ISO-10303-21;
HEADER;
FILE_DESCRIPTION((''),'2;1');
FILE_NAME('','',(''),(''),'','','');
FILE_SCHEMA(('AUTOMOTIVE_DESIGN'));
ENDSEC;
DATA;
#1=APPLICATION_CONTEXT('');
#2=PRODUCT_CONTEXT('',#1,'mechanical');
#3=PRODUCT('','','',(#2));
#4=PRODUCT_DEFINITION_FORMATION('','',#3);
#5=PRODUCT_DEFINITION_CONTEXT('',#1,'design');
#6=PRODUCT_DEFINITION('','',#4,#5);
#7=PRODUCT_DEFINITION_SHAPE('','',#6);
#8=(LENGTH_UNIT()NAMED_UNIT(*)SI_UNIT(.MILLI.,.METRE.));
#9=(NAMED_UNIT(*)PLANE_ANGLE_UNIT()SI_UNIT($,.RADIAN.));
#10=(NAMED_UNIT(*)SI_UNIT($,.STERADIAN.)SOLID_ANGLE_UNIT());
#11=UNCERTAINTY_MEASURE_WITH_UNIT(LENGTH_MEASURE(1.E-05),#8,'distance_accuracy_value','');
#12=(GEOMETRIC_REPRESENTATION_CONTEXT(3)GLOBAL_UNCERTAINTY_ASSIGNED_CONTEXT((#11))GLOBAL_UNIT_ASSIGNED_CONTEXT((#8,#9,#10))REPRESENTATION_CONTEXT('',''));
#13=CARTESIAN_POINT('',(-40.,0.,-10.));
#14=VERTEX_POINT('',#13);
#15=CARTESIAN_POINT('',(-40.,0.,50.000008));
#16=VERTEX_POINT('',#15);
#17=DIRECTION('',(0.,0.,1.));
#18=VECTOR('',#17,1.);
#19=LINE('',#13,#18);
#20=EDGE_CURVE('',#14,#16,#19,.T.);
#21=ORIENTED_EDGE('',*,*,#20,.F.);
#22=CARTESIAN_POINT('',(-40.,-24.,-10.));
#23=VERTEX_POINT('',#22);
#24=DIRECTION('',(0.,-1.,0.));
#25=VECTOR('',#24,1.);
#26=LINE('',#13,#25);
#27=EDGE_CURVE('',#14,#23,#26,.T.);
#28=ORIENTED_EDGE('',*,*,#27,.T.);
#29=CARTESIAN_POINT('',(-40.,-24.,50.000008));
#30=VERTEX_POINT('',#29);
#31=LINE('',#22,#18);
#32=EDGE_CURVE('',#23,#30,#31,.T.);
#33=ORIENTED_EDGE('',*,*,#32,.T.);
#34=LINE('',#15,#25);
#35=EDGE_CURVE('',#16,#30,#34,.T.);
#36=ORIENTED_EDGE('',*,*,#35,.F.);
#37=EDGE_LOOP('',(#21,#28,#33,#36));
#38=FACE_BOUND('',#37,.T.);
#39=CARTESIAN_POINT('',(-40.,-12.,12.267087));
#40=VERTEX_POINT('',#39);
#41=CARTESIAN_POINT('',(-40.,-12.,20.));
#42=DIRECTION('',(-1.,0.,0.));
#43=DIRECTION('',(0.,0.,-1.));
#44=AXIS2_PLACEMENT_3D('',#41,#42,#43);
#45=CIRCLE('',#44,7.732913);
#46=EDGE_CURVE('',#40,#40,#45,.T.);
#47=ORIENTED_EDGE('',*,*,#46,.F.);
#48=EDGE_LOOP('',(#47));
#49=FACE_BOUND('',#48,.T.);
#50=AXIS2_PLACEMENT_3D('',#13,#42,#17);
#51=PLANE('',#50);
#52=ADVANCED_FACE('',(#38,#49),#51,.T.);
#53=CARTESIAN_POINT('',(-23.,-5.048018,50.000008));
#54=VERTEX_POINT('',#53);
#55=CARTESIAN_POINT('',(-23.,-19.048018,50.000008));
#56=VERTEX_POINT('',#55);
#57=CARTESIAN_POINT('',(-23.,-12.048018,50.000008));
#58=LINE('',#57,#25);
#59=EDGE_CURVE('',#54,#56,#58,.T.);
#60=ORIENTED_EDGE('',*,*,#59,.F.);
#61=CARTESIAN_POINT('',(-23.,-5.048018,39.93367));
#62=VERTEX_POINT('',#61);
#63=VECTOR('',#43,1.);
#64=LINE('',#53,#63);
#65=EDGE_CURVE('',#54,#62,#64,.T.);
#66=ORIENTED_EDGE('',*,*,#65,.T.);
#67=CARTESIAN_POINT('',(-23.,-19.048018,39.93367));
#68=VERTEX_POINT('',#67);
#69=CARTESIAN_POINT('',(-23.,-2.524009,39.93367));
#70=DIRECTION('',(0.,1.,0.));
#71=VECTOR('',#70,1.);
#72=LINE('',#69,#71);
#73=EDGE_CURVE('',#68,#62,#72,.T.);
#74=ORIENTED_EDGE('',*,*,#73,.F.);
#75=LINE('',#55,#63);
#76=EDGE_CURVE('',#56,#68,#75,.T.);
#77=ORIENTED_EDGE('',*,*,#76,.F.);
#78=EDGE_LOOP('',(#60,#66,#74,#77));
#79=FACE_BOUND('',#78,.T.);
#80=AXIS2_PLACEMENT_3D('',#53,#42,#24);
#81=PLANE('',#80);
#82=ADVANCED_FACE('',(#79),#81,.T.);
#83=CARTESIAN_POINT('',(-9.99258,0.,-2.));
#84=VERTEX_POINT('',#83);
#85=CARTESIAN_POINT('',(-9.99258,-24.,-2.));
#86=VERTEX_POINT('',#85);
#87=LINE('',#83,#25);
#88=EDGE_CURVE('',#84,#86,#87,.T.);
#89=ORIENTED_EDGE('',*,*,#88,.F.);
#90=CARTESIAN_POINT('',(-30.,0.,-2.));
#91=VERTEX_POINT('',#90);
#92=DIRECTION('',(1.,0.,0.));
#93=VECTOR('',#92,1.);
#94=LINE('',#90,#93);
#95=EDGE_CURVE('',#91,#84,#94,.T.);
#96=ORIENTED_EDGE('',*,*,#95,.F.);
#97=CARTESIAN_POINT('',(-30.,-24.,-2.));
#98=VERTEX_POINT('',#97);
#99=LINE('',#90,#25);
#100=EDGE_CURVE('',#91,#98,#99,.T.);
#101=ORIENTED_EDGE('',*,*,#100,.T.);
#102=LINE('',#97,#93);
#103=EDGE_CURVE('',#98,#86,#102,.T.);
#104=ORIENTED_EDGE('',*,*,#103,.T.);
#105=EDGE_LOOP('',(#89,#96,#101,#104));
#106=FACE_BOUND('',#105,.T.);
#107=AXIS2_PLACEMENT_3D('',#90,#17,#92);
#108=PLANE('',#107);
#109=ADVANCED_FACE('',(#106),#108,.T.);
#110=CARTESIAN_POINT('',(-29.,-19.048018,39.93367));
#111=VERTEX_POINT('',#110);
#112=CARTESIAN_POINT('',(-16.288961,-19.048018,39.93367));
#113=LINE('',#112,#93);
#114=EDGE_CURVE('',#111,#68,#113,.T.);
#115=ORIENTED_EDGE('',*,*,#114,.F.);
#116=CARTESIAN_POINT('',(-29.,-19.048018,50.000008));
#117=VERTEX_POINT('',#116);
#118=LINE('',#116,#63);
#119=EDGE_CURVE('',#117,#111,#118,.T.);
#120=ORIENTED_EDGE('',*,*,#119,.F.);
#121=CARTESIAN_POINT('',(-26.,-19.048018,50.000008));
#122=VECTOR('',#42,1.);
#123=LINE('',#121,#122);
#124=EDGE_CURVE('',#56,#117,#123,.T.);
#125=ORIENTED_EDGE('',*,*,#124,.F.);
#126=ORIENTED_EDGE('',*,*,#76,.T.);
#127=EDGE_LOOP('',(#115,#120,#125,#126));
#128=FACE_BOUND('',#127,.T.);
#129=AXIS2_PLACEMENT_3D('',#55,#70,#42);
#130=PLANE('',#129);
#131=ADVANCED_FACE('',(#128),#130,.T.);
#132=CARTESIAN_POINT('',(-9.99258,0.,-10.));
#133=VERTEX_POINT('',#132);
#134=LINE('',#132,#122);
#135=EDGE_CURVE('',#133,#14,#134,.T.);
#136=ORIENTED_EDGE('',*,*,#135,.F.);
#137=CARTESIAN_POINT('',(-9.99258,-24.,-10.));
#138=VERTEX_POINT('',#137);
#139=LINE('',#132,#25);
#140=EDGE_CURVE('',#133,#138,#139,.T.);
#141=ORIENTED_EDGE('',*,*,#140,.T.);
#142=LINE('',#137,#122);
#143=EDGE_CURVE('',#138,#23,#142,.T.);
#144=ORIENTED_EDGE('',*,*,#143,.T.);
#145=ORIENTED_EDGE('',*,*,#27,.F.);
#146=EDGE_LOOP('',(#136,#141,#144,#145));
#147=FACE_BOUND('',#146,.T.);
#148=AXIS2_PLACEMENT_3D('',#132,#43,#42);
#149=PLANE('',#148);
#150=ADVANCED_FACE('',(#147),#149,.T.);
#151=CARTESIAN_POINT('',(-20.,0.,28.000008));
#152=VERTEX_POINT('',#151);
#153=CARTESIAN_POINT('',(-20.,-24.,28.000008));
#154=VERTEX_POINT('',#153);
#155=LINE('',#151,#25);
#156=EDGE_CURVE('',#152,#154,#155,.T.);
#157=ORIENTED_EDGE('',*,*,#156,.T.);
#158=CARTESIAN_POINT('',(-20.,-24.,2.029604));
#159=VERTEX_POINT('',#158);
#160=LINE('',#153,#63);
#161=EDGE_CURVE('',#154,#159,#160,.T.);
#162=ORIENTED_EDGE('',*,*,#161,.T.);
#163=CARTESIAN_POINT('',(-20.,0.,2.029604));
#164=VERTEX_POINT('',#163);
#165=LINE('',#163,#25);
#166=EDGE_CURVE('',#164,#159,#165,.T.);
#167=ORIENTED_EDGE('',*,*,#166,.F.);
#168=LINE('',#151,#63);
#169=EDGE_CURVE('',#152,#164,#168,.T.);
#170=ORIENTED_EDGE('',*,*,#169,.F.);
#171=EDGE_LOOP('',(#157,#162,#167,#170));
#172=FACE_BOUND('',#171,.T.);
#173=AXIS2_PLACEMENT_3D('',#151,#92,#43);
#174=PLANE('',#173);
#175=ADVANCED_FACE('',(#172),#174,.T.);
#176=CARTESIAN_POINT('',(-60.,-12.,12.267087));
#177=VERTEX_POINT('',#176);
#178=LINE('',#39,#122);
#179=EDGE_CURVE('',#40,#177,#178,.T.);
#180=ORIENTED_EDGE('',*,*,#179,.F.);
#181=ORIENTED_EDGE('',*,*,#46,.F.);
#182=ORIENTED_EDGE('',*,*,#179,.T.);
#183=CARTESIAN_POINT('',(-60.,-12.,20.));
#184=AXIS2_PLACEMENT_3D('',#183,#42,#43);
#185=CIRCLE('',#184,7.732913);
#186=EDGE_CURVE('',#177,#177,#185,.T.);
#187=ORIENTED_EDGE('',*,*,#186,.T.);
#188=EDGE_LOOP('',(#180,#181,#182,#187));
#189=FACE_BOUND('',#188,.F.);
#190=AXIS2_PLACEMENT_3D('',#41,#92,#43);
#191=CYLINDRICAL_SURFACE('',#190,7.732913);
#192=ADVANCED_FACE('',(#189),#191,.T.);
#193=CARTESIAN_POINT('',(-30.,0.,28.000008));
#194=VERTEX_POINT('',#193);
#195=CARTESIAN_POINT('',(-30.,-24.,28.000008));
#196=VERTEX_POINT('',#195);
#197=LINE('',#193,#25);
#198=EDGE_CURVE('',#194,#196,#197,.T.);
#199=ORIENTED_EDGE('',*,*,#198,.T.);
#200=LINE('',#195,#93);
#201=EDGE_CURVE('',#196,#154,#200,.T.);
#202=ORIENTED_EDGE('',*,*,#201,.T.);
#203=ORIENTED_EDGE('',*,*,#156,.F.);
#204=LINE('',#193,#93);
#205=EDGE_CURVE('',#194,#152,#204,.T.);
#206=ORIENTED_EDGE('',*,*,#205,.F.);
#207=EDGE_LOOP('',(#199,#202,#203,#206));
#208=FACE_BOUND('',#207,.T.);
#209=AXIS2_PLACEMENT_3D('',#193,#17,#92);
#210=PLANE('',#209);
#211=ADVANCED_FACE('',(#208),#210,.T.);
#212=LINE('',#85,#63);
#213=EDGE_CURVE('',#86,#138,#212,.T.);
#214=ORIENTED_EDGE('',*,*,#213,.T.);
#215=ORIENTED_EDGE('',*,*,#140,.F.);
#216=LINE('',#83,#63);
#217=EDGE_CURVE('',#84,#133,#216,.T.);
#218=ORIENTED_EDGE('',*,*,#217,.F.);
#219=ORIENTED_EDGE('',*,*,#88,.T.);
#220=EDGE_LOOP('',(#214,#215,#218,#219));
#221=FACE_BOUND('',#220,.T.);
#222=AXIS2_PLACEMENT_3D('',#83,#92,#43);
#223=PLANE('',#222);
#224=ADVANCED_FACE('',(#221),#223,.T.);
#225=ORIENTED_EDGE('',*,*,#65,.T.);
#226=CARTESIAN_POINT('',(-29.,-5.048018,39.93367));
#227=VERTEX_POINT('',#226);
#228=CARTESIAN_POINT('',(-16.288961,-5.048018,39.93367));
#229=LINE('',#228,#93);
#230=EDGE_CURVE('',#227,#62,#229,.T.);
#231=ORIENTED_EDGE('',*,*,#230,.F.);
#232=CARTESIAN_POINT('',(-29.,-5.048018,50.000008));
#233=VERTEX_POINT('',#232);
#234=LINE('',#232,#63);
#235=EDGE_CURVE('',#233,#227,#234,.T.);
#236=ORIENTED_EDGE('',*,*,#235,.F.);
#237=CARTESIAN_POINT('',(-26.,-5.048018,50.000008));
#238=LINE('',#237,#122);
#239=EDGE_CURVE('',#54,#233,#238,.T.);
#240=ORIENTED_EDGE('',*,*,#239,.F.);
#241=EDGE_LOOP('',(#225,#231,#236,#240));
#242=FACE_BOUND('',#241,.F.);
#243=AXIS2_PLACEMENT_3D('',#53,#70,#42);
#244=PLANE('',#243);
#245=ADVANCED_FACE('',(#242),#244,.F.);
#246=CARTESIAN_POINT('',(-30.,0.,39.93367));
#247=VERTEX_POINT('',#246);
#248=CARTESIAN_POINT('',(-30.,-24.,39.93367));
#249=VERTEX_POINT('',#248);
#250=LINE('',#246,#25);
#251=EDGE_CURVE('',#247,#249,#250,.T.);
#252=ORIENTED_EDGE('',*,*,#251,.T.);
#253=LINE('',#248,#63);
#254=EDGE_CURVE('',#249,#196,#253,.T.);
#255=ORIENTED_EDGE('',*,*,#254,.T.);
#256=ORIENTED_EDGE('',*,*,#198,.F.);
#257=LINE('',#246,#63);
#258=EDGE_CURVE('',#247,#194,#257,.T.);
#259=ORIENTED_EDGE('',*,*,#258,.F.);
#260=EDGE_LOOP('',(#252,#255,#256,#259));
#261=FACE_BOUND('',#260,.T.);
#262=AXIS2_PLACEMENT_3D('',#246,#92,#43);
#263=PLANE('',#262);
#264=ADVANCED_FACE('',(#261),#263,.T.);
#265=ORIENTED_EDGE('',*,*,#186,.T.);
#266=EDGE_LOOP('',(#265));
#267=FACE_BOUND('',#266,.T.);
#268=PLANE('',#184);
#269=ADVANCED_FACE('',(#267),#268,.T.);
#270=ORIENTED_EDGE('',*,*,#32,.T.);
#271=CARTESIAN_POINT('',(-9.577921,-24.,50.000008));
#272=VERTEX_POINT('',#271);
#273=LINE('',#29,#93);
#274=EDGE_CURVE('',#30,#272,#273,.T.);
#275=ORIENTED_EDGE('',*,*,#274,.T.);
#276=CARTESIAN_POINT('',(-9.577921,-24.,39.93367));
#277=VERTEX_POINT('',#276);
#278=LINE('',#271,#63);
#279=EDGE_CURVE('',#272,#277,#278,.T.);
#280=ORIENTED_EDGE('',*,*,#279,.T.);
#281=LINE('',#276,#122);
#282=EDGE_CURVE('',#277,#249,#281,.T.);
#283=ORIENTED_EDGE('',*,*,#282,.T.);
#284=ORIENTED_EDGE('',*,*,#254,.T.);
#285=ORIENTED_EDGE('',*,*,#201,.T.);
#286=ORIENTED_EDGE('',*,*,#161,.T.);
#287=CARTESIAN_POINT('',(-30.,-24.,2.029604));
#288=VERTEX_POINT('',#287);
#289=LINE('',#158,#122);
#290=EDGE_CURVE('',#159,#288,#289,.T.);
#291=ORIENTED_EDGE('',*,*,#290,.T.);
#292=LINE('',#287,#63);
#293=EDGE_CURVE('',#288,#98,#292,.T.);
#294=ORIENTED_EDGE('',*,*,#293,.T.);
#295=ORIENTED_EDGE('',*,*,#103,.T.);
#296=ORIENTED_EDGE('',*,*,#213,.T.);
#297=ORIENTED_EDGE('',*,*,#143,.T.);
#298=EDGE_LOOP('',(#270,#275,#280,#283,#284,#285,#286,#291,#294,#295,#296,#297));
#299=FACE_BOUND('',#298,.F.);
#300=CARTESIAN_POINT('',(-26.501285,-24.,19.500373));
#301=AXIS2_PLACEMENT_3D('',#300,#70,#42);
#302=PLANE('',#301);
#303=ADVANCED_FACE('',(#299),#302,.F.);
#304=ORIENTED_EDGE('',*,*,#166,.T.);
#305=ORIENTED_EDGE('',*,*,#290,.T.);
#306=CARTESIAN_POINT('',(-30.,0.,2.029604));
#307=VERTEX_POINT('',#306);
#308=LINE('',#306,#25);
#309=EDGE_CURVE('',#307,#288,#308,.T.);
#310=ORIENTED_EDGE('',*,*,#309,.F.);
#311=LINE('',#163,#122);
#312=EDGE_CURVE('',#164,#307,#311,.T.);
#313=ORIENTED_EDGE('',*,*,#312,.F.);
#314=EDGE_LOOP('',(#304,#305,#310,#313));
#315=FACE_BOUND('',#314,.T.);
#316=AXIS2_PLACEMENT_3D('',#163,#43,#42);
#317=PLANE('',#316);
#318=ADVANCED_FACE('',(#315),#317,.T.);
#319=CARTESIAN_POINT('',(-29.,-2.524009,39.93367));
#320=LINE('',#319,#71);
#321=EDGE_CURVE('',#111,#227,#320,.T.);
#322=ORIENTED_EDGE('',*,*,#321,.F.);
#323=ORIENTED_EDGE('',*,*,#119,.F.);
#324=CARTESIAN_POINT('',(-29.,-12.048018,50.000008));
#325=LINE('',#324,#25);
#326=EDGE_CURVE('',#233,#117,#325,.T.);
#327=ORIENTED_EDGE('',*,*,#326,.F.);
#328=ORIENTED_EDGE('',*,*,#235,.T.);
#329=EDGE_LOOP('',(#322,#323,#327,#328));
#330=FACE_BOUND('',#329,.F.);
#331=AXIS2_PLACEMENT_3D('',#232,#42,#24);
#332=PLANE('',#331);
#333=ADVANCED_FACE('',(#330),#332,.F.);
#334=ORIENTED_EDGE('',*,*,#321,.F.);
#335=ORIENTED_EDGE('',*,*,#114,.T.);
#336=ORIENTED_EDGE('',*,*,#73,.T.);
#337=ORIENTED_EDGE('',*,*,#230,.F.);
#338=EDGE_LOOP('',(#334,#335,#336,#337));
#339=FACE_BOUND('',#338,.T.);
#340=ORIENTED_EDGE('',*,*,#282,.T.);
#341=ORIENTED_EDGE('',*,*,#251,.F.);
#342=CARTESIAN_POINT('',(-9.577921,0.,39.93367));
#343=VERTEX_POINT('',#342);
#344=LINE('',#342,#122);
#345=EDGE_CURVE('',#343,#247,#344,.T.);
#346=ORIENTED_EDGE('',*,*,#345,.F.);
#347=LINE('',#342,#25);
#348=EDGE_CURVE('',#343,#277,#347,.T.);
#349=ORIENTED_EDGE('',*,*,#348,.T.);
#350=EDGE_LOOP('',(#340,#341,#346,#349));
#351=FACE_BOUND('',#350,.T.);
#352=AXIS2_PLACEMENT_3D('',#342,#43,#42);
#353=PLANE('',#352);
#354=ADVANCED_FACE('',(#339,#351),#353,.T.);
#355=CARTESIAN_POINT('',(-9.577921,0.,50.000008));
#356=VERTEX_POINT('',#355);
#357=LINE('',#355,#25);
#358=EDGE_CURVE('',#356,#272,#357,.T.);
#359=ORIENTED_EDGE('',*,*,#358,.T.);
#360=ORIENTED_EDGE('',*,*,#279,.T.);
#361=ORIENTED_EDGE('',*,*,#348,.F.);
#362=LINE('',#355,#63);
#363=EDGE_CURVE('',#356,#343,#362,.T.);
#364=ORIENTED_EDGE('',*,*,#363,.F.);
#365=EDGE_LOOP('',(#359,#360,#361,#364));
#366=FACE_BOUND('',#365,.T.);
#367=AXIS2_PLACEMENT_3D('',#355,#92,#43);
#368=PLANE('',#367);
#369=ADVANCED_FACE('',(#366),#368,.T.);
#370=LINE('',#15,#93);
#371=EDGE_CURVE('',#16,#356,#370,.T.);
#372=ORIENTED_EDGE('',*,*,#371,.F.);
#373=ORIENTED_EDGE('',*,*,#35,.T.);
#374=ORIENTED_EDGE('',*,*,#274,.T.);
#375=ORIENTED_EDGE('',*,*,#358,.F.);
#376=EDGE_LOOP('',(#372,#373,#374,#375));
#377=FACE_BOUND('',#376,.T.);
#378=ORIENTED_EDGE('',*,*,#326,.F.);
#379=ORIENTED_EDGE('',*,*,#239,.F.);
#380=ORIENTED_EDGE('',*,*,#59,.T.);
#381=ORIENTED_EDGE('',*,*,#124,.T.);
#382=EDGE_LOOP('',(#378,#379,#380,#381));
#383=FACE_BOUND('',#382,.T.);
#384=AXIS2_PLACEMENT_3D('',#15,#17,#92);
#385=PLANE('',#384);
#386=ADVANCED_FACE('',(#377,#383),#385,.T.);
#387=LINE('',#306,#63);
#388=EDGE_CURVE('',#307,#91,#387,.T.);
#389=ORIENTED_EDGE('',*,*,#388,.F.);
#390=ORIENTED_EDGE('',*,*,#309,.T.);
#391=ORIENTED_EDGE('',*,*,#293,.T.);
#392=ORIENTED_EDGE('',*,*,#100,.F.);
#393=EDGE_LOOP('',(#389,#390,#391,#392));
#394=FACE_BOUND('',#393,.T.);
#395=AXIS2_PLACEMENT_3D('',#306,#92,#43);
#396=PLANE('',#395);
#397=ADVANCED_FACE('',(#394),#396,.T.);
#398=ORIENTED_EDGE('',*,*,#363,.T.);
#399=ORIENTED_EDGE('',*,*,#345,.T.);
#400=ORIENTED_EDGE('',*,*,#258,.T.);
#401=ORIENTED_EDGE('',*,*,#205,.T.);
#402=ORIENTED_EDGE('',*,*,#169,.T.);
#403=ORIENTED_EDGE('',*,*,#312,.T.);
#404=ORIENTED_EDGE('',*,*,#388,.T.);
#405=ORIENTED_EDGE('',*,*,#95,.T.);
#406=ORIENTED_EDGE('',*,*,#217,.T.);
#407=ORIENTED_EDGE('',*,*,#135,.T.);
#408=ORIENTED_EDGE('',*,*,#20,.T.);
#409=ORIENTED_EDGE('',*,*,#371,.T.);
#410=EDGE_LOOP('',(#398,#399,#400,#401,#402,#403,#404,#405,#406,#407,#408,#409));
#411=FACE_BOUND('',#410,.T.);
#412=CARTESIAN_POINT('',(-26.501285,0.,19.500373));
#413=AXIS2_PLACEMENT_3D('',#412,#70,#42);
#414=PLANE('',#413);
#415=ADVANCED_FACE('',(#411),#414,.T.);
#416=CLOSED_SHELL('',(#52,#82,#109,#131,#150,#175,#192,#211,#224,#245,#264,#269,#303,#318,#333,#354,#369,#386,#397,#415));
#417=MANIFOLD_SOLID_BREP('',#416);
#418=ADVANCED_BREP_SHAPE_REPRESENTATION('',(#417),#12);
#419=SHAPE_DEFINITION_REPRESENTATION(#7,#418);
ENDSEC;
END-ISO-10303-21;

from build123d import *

# Parameters (mm, degrees)
PAD_DEPTH    = 24
SKETCH002_R  = 7.732913
PAD001_DEPTH = 20
SKETCH001_W  = 6
SKETCH001_H  = 14
POCKET_DEPTH = 11


with BuildPart() as part:
    # Sketch → Pad (new body)
    with BuildSketch(Plane.XZ):
        Polygon((-9.577921, 39.93367), (-30, 39.93367), (-30, 28.000008), (-20, 28.000008), (-20, 2.029604), (-30, 2.029604), (-30, -2), (-9.99258, -2), (-9.99258, -10), (-40, -10), (-40, 50.000008), (-9.577921, 50.000008), align=None)
    extrude(amount=PAD_DEPTH)

    # Sketch002 → Pad001 (join)
    with BuildSketch(Plane(origin=(-40, 0, 0), x_dir=(0, 0, -1), z_dir=(-1, 0, 0))):
        with Locations((-20, 12)):
            Circle(SKETCH002_R)
    extrude(amount=PAD001_DEPTH)

    # Sketch001 (on Face11 of Pad) → Pocket (cut)
    with BuildSketch(Plane(origin=(0, 0, 50.000008), x_dir=(-1, 0, 0), z_dir=(0, 0, 1))):
        with Locations((26, 12.048018)):
            Rectangle(SKETCH001_W, SKETCH001_H)
    extrude(amount=-POCKET_DEPTH, mode=Mode.SUBTRACT)


solid = part.part
